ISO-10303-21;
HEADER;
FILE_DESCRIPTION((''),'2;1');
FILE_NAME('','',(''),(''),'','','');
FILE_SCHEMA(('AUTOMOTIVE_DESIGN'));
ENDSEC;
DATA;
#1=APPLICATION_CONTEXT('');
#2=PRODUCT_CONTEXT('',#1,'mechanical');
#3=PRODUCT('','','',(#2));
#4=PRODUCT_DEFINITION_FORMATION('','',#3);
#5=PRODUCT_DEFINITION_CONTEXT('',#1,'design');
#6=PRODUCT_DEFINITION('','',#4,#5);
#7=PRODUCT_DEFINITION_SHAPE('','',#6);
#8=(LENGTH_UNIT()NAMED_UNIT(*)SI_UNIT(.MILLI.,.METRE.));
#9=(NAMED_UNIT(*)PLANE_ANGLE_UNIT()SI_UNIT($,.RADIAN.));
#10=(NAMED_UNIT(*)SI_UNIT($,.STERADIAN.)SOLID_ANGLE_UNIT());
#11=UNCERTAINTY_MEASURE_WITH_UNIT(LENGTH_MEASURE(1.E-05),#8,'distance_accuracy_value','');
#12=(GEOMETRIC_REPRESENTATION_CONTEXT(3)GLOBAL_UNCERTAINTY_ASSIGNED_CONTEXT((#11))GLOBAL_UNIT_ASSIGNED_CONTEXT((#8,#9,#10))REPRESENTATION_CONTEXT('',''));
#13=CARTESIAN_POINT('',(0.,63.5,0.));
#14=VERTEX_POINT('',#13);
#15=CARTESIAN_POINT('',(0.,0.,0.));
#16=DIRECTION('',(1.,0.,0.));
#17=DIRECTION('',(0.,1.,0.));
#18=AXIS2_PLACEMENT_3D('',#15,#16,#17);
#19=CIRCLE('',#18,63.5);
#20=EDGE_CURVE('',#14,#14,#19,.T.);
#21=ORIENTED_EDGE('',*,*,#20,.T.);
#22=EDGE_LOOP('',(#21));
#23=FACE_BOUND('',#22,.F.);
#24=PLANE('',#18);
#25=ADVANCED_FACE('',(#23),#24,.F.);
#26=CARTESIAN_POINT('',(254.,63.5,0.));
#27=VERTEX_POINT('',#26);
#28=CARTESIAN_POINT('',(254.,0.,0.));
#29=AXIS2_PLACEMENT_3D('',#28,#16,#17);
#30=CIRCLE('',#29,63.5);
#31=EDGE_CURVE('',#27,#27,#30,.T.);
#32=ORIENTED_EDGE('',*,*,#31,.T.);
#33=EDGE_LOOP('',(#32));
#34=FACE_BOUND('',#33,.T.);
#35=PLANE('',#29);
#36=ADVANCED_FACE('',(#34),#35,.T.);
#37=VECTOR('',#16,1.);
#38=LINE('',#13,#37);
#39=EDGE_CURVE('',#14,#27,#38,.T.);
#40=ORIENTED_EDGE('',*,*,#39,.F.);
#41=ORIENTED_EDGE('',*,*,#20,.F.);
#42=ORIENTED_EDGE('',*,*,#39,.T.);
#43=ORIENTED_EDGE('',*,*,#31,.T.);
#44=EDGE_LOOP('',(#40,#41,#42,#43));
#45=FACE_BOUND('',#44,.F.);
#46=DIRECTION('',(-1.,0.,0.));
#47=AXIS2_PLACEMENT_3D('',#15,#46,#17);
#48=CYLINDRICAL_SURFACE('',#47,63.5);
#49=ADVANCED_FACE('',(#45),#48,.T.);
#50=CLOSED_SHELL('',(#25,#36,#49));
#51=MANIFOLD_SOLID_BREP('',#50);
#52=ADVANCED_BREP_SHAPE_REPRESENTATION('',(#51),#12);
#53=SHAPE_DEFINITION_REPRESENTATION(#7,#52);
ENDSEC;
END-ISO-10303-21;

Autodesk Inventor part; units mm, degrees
ref_plane "YZ Plane" through (0, 0, 0) normal (1, 0, 0) x (0, 1, 0)
ref_plane "XZ Plane" through (0, 0, 0) normal (0, 1, 0) x (-1, 0, 0)
ref_plane "XY Plane" through (0, 0, 0) normal (0, 0, 1) x (1, 0, 0)
sketch "Sketch1" plane through (0, 0, 0) normal (1, 0, 0) x (0, 1, 0)
  circle A0 centre (0, 0) radius 63.5
  dimension "d0" = 127
extrude "Extrusion1" add sketch "Sketch1" along normal blind 254
properties part number "Joey is awesome at cad"
